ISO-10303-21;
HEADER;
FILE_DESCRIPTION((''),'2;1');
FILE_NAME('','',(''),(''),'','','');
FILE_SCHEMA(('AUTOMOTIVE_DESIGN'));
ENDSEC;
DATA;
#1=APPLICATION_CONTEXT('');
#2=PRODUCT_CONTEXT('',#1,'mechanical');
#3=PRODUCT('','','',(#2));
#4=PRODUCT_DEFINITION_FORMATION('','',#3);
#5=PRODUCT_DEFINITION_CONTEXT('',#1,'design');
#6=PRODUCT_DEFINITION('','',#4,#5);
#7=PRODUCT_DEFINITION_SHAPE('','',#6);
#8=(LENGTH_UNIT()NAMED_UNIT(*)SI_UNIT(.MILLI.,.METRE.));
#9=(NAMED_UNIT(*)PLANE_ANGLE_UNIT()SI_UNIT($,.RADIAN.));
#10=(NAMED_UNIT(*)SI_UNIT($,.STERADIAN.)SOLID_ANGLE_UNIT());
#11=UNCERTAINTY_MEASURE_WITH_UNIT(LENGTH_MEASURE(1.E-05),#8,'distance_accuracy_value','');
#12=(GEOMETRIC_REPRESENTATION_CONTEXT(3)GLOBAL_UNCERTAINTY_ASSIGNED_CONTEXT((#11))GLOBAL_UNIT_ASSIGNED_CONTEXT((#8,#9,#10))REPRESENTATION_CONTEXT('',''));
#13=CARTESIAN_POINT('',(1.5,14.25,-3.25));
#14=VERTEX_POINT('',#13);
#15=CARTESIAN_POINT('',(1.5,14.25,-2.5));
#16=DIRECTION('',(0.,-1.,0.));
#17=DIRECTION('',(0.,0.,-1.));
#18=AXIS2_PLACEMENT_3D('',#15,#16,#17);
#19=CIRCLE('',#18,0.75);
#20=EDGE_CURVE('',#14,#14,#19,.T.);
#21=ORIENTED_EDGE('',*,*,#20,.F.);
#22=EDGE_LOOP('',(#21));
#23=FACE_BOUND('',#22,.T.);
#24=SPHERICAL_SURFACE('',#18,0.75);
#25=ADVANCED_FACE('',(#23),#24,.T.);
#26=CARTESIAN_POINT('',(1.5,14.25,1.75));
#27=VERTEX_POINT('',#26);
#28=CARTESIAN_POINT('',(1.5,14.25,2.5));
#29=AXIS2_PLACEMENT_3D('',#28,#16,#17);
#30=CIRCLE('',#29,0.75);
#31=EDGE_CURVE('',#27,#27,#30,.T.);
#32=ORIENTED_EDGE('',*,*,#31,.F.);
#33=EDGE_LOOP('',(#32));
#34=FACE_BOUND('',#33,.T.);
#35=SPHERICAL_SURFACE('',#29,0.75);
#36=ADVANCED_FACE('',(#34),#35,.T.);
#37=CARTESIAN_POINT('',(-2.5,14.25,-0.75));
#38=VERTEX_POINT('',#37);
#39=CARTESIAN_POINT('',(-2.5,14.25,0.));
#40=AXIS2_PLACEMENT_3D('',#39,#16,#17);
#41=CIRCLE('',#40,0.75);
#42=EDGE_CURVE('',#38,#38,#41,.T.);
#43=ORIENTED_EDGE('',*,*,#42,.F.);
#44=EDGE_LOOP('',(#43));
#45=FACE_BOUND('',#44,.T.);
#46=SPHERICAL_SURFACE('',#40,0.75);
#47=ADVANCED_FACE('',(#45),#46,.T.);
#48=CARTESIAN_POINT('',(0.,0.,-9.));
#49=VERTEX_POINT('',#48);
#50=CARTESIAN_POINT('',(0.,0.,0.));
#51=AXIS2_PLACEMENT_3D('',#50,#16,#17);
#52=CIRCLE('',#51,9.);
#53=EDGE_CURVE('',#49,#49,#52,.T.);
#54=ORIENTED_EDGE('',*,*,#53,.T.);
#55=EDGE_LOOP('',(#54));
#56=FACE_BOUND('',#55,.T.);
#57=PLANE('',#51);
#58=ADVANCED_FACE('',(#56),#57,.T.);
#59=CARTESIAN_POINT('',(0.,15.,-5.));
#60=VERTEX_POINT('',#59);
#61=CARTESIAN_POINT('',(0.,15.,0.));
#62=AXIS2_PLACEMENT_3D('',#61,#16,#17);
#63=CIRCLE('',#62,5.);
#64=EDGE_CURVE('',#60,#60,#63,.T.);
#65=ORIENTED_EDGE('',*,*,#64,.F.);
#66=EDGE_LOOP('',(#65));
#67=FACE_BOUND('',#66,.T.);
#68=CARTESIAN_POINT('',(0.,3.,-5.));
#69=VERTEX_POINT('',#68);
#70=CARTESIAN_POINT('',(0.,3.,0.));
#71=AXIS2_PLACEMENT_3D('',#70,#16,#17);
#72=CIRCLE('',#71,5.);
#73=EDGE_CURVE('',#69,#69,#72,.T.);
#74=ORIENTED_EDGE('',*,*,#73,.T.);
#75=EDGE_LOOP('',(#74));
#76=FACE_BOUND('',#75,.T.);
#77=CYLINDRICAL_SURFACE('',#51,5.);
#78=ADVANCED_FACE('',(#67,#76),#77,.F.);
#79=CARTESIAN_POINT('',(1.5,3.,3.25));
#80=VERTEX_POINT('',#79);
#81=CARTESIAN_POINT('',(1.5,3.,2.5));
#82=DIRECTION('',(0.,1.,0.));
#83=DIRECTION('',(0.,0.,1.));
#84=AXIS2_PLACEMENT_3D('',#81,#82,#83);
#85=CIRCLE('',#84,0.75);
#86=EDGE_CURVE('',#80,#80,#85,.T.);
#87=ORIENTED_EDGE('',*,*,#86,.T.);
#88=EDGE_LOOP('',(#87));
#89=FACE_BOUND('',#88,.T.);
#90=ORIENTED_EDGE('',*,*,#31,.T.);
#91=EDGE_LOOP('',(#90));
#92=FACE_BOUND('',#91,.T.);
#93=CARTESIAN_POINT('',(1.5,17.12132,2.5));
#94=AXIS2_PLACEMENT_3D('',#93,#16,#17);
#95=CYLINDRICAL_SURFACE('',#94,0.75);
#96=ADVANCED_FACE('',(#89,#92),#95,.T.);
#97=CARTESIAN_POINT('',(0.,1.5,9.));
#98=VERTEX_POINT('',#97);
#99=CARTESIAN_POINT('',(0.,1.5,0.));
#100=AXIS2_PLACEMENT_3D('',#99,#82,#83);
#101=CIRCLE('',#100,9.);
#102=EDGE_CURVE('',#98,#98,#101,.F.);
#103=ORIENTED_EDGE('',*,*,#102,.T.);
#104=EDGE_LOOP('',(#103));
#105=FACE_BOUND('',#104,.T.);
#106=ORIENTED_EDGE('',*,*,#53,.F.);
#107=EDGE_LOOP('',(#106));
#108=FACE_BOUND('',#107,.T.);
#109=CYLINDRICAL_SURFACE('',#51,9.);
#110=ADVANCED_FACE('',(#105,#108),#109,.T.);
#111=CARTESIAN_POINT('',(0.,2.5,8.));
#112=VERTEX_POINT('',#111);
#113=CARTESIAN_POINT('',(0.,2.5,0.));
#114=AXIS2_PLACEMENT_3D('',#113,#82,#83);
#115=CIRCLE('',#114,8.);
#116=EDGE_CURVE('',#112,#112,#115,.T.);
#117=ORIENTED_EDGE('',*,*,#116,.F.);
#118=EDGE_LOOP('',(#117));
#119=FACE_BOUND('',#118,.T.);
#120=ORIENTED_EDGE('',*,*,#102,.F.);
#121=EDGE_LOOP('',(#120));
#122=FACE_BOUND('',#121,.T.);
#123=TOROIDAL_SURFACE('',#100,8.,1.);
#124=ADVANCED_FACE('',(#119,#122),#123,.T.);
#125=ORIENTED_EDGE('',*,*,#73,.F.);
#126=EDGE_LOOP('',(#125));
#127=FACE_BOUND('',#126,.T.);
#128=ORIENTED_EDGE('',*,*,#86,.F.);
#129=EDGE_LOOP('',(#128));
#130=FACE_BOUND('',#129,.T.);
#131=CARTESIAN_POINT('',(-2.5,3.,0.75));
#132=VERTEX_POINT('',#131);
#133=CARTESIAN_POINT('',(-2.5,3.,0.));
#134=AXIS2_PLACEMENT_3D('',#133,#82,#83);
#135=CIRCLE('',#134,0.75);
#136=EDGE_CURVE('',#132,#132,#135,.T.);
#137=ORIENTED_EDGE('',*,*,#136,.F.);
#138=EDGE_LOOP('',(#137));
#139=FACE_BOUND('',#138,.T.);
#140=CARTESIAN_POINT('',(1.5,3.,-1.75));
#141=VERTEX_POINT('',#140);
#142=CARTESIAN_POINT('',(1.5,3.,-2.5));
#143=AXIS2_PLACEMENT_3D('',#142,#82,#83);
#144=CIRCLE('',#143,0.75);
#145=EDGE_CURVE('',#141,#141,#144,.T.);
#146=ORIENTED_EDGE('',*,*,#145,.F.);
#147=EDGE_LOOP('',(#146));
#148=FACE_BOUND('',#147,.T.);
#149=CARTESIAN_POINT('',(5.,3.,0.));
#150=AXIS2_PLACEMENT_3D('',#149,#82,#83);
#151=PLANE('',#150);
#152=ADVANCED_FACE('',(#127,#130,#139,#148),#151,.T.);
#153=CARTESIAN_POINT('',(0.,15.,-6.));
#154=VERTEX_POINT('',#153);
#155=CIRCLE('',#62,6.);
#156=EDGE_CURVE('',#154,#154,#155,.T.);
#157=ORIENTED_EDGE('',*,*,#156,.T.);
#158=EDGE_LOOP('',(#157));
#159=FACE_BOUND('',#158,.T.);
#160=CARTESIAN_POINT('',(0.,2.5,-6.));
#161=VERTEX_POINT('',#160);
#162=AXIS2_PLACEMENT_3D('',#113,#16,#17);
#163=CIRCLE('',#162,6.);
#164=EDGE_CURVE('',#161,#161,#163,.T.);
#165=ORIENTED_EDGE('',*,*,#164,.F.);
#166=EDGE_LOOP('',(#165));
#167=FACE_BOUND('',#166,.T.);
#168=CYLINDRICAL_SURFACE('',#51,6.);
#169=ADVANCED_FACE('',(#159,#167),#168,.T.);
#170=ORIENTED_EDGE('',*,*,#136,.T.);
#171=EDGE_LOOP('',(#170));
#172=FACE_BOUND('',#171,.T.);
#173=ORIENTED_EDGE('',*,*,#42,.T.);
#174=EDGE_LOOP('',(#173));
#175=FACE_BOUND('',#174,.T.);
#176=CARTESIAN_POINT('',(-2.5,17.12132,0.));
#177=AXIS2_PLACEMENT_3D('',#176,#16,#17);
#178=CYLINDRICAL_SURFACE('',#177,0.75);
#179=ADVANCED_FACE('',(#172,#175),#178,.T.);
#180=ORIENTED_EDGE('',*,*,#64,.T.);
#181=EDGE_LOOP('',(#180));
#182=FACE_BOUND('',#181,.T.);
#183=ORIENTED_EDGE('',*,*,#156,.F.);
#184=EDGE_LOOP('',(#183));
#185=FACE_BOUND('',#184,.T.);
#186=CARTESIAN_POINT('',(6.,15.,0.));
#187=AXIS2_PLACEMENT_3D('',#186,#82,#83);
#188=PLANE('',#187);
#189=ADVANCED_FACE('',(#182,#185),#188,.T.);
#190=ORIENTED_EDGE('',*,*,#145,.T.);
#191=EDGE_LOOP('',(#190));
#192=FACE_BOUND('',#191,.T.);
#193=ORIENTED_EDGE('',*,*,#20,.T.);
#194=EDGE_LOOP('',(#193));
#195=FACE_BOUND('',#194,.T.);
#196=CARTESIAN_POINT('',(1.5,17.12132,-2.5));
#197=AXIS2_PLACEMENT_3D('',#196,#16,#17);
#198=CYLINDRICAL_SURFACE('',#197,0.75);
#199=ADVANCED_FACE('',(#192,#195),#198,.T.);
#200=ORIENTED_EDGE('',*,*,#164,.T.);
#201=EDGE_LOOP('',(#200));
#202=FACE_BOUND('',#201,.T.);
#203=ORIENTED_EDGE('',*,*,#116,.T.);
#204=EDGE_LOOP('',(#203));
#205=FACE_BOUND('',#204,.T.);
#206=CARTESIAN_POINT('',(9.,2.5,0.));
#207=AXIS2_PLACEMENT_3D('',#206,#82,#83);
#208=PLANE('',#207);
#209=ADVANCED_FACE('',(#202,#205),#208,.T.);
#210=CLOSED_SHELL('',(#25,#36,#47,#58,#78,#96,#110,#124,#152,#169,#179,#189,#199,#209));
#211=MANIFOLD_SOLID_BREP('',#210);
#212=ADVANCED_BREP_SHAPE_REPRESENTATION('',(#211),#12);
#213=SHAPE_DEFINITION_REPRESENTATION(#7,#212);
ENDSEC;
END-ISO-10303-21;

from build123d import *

# Parameters (mm, degrees)
SKETCH2_R           = 0.75
BOSS_EXTRUDE1_DEPTH = 12
FILLET1_R           = 0.75
FILLET2_R           = 1


with BuildPart() as part:
    # Sketch1 → Revolve1 (revolve)
    with BuildSketch(Plane.XY, mode=Mode.PRIVATE) as revolve1_sk:
        Polygon((0, 0), (9, 0), (9, 2.5), (6, 2.5), (6, 15), (5, 15), (5, 3), (0, 3), align=None)
    revolve(revolve1_sk.sketch.rotate(Axis((0, 0, 0), (0, 1, 0)), 90), axis=Axis((0, 0, 0), (0, 1, 0)))

    # Sketch2 → Boss-Extrude1 (add)
    with BuildSketch(Plane(origin=(0, 3, 0), x_dir=(1, 0, 0), z_dir=(0, 1, 0))):
        with Locations(Location((1.5, 2.5, 0), (0, 0, 270))):
            Circle(SKETCH2_R)
        with Locations(Location((1.5, -2.5, 0), (0, 0, 270))):
            Circle(SKETCH2_R)
        with Locations(Location((-2.5, 0, 0), (0, 0, 270))):
            Circle(SKETCH2_R)
    extrude(amount=BOSS_EXTRUDE1_DEPTH)

    # Fillet1
    fillet1_edges = [part.edges().sort_by_distance(p)[0] for p in [
        (1.5, 15, -3.25),
        (1.5, 15, 1.75),
        (-2.5, 15, -0.75),
    ]]
    fillet(fillet1_edges, radius=FILLET1_R)

    # Fillet2
    fillet2_edges = [part.edges().sort_by_distance(p)[0] for p in [
        (0, 2.5, 9),
    ]]
    fillet(fillet2_edges, radius=FILLET2_R)


solid = part.part
